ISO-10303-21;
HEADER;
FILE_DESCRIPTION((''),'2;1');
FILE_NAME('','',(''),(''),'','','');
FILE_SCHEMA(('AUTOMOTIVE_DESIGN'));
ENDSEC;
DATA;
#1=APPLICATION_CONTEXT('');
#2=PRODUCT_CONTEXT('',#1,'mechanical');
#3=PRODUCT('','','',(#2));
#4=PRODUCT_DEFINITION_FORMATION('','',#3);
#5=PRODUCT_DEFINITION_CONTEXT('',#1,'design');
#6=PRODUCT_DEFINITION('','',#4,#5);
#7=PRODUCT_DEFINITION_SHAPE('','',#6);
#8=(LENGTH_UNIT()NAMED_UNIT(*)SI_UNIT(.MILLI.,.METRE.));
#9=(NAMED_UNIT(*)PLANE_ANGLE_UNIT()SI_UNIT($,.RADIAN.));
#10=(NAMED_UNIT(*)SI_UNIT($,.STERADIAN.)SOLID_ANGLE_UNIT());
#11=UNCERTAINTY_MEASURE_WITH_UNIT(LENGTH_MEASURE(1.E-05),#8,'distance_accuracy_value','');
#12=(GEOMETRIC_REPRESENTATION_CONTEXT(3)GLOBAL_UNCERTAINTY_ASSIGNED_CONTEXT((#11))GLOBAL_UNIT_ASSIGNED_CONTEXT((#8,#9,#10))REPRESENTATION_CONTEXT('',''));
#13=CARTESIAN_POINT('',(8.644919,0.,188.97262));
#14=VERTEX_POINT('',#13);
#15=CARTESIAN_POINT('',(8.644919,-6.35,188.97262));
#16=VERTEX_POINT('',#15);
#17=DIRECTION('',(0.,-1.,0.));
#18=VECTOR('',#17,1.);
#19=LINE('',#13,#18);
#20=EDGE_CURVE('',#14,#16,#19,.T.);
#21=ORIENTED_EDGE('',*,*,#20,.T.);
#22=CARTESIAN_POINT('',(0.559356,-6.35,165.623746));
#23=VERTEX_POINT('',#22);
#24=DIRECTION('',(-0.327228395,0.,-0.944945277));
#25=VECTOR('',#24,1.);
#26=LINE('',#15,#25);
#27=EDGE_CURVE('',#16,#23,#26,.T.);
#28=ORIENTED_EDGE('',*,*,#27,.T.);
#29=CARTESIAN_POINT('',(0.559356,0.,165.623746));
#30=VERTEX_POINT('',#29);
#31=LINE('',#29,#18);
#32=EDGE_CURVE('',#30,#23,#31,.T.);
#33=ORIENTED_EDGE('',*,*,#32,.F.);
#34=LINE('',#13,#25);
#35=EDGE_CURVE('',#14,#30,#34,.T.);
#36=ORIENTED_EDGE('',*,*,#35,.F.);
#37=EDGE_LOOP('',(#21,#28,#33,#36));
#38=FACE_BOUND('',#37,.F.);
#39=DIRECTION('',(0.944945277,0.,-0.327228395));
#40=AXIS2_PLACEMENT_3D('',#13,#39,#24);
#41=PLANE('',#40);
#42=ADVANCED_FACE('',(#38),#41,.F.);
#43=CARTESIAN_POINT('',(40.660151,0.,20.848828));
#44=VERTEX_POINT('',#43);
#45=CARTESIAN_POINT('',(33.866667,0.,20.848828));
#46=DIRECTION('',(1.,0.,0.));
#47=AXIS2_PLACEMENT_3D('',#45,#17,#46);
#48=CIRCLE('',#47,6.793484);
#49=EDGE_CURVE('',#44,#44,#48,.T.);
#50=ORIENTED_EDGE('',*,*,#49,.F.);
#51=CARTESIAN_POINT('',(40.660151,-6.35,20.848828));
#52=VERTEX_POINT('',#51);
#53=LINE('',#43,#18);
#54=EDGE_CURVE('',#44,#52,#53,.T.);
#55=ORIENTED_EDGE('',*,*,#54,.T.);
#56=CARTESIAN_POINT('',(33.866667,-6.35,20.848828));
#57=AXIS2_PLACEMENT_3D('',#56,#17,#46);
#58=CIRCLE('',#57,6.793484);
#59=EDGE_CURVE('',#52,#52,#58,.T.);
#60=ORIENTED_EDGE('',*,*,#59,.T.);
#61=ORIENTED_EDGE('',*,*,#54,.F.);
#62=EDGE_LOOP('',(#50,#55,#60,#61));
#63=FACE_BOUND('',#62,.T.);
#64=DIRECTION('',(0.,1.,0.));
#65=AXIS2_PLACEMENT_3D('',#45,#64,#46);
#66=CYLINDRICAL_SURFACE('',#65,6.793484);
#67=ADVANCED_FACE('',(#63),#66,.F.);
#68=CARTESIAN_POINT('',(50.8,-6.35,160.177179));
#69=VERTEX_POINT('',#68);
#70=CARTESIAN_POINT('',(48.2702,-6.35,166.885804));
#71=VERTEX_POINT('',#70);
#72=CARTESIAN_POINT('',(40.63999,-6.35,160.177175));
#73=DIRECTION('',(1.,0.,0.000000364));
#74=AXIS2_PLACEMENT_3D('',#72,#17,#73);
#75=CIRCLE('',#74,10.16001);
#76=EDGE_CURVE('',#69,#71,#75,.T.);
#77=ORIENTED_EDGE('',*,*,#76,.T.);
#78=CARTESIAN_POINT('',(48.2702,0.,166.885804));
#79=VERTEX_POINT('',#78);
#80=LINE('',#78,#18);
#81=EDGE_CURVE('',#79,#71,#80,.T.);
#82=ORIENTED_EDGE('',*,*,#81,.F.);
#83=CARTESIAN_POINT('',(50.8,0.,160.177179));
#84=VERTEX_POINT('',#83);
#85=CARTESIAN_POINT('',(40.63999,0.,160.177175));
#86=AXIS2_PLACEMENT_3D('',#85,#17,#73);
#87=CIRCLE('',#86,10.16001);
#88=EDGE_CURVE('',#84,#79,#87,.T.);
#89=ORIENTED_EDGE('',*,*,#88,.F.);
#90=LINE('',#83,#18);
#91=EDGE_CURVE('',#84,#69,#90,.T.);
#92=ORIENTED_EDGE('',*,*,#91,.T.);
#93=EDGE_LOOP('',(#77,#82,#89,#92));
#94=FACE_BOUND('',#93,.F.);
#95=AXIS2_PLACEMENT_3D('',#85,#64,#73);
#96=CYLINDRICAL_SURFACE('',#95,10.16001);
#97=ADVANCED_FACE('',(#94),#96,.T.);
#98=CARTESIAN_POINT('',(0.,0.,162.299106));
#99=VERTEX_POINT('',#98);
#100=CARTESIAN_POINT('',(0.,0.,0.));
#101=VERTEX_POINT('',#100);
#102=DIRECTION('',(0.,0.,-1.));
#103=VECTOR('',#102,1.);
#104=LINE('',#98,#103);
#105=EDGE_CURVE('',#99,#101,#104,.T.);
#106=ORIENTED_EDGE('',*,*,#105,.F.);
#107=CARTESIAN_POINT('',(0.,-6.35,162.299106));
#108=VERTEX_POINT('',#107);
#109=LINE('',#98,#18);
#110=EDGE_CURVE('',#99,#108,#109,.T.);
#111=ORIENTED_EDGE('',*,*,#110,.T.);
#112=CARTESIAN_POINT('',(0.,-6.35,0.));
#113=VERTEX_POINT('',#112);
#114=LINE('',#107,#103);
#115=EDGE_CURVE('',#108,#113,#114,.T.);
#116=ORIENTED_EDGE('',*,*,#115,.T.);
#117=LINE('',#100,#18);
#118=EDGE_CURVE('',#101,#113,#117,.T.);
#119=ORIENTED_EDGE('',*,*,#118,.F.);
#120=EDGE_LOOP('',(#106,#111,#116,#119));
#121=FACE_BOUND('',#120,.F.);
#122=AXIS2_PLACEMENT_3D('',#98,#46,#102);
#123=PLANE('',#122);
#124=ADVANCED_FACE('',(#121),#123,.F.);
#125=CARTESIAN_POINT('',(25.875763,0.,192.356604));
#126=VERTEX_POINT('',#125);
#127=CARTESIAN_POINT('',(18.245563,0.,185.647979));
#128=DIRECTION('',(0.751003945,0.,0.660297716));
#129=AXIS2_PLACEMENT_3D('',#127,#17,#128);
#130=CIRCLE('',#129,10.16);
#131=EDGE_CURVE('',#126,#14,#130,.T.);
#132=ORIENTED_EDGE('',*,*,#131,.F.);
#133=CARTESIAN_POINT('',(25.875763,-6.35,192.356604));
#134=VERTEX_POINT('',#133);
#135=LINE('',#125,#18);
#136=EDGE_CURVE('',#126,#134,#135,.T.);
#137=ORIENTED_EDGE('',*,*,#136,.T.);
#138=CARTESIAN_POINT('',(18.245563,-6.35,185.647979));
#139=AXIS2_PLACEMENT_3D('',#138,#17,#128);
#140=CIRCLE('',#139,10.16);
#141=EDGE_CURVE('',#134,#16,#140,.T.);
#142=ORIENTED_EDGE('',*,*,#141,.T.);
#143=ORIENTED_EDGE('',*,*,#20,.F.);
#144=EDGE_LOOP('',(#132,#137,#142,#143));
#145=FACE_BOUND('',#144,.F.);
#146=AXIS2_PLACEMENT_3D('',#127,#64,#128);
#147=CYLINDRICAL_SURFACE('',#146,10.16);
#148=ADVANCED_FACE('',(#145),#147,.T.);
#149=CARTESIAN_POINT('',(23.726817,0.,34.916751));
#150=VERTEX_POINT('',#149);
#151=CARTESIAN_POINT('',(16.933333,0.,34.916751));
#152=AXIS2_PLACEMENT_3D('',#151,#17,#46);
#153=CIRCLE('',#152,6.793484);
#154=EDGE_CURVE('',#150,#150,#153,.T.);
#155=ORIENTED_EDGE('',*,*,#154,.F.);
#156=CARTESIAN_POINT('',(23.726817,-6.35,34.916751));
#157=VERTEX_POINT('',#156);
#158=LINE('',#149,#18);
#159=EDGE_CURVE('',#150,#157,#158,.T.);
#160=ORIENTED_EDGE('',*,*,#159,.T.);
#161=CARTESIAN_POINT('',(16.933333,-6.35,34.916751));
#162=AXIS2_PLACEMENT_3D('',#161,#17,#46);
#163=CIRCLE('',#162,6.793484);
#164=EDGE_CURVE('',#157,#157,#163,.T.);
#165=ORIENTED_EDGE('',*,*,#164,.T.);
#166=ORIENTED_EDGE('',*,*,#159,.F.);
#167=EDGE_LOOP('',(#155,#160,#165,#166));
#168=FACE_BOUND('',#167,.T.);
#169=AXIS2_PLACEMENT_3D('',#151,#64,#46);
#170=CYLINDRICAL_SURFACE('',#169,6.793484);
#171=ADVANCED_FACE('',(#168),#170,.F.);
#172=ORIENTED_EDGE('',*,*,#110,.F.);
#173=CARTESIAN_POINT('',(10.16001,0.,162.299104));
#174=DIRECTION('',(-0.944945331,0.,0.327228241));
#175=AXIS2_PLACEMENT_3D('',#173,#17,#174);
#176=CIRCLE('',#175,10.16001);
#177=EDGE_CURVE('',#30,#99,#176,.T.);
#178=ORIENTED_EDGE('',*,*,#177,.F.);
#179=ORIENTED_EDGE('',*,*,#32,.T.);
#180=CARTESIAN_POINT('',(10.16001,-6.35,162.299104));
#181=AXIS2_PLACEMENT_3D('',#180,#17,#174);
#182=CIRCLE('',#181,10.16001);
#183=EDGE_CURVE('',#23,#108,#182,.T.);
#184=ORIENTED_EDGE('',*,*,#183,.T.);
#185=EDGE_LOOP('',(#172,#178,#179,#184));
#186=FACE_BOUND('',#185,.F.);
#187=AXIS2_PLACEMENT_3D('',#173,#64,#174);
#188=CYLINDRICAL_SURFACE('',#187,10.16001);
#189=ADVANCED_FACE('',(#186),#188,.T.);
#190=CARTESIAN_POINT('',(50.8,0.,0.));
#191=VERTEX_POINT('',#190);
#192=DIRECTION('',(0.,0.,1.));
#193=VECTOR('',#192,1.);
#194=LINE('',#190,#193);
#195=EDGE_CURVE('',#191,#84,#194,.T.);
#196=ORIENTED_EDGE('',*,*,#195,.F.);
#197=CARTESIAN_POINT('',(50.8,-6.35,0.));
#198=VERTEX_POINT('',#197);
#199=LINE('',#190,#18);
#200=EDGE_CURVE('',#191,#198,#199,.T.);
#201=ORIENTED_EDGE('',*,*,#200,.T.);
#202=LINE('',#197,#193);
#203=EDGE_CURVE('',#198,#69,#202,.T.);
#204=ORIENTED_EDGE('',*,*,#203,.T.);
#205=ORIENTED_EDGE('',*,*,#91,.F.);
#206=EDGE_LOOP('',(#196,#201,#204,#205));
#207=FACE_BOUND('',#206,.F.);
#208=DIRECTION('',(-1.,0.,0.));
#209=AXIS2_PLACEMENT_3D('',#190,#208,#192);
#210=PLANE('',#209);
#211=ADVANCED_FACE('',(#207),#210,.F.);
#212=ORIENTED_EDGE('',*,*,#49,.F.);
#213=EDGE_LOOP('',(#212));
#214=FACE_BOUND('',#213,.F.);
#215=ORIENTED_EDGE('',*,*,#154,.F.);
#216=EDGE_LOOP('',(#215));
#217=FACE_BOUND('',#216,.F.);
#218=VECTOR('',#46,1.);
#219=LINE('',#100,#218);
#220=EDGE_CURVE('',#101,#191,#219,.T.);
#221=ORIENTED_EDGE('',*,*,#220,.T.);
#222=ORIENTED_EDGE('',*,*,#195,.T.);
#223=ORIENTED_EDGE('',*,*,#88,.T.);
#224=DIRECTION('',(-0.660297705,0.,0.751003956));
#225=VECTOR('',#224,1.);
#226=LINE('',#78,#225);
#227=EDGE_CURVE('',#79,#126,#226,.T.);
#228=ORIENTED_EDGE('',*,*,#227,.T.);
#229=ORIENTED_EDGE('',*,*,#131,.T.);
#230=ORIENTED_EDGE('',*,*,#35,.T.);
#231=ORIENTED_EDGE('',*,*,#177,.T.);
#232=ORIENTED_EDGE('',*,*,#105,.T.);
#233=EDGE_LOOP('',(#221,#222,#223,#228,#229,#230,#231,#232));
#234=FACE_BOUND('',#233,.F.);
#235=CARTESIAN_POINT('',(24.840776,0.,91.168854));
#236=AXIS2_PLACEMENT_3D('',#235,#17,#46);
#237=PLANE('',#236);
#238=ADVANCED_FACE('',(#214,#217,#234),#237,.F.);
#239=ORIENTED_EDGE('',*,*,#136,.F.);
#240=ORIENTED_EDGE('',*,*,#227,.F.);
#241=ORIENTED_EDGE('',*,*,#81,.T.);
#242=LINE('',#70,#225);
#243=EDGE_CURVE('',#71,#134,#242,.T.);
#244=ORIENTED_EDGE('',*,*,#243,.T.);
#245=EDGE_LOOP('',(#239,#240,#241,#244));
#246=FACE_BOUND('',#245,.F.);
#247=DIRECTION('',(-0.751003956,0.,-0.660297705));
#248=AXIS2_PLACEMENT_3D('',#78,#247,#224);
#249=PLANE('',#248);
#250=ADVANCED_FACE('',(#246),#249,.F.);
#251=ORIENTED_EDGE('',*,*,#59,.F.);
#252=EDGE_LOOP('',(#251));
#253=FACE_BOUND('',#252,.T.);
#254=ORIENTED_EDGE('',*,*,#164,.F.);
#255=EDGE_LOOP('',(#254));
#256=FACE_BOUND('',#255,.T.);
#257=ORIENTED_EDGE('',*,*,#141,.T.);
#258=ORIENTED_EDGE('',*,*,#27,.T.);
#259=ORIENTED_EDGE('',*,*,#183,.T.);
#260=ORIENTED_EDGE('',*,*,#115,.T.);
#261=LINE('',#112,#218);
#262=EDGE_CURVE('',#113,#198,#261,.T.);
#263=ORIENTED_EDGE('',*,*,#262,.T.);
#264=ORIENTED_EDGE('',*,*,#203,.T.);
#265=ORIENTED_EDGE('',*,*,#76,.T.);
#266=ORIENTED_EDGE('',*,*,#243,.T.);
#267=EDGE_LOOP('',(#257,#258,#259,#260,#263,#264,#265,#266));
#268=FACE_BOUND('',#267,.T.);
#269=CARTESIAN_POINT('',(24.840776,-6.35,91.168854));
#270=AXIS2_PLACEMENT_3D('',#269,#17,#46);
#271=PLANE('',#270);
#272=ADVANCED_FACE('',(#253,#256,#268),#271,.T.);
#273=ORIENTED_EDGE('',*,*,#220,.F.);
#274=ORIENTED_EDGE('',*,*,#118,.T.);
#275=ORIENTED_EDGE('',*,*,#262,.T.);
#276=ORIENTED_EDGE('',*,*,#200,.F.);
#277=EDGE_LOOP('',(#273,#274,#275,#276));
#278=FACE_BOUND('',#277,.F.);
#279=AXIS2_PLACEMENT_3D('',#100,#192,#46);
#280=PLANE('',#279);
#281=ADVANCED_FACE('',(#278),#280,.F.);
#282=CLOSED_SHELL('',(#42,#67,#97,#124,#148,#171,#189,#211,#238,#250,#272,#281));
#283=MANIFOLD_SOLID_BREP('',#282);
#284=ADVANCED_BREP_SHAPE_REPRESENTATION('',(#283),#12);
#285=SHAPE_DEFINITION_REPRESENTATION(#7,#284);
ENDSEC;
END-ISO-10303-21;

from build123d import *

# Parameters (mm, degrees)
F0_R     = 6.793484
F1_DEPTH = 6.35


with BuildPart() as f1:
    # F0 (on Front) → F1 (new body)
    with BuildSketch(Plane.XZ):
        with BuildLine():
            Line((0, 162.299106), (0, 0))
            Line((0, 0), (16.933333, 0))
            Line((16.933333, 0), (33.866667, 0))
            Line((33.866667, 0), (50.8, 0))
            Line((50.8, 0), (50.8, 160.177179))
            ThreePointArc((50.8, 160.177179), (50.146535, 163.762061), (48.2702, 166.885804))
            Line((48.2702, 166.885804), (25.875763, 192.356604))
            ThreePointArc((25.875763, 192.356604), (16.287631, 195.617538), (8.644919, 188.97262))
            Line((8.644919, 188.97262), (0.559356, 165.623746))
            ThreePointArc((0.559356, 165.623746), (0.140815, 163.984789), (0, 162.299106))
        make_face()
        with Locations((16.933333, 34.916751)):
            Circle(F0_R, mode=Mode.SUBTRACT)
        with Locations((33.866667, 20.848828)):
            Circle(F0_R, mode=Mode.SUBTRACT)
    extrude(amount=F1_DEPTH)


solid = f1.part
